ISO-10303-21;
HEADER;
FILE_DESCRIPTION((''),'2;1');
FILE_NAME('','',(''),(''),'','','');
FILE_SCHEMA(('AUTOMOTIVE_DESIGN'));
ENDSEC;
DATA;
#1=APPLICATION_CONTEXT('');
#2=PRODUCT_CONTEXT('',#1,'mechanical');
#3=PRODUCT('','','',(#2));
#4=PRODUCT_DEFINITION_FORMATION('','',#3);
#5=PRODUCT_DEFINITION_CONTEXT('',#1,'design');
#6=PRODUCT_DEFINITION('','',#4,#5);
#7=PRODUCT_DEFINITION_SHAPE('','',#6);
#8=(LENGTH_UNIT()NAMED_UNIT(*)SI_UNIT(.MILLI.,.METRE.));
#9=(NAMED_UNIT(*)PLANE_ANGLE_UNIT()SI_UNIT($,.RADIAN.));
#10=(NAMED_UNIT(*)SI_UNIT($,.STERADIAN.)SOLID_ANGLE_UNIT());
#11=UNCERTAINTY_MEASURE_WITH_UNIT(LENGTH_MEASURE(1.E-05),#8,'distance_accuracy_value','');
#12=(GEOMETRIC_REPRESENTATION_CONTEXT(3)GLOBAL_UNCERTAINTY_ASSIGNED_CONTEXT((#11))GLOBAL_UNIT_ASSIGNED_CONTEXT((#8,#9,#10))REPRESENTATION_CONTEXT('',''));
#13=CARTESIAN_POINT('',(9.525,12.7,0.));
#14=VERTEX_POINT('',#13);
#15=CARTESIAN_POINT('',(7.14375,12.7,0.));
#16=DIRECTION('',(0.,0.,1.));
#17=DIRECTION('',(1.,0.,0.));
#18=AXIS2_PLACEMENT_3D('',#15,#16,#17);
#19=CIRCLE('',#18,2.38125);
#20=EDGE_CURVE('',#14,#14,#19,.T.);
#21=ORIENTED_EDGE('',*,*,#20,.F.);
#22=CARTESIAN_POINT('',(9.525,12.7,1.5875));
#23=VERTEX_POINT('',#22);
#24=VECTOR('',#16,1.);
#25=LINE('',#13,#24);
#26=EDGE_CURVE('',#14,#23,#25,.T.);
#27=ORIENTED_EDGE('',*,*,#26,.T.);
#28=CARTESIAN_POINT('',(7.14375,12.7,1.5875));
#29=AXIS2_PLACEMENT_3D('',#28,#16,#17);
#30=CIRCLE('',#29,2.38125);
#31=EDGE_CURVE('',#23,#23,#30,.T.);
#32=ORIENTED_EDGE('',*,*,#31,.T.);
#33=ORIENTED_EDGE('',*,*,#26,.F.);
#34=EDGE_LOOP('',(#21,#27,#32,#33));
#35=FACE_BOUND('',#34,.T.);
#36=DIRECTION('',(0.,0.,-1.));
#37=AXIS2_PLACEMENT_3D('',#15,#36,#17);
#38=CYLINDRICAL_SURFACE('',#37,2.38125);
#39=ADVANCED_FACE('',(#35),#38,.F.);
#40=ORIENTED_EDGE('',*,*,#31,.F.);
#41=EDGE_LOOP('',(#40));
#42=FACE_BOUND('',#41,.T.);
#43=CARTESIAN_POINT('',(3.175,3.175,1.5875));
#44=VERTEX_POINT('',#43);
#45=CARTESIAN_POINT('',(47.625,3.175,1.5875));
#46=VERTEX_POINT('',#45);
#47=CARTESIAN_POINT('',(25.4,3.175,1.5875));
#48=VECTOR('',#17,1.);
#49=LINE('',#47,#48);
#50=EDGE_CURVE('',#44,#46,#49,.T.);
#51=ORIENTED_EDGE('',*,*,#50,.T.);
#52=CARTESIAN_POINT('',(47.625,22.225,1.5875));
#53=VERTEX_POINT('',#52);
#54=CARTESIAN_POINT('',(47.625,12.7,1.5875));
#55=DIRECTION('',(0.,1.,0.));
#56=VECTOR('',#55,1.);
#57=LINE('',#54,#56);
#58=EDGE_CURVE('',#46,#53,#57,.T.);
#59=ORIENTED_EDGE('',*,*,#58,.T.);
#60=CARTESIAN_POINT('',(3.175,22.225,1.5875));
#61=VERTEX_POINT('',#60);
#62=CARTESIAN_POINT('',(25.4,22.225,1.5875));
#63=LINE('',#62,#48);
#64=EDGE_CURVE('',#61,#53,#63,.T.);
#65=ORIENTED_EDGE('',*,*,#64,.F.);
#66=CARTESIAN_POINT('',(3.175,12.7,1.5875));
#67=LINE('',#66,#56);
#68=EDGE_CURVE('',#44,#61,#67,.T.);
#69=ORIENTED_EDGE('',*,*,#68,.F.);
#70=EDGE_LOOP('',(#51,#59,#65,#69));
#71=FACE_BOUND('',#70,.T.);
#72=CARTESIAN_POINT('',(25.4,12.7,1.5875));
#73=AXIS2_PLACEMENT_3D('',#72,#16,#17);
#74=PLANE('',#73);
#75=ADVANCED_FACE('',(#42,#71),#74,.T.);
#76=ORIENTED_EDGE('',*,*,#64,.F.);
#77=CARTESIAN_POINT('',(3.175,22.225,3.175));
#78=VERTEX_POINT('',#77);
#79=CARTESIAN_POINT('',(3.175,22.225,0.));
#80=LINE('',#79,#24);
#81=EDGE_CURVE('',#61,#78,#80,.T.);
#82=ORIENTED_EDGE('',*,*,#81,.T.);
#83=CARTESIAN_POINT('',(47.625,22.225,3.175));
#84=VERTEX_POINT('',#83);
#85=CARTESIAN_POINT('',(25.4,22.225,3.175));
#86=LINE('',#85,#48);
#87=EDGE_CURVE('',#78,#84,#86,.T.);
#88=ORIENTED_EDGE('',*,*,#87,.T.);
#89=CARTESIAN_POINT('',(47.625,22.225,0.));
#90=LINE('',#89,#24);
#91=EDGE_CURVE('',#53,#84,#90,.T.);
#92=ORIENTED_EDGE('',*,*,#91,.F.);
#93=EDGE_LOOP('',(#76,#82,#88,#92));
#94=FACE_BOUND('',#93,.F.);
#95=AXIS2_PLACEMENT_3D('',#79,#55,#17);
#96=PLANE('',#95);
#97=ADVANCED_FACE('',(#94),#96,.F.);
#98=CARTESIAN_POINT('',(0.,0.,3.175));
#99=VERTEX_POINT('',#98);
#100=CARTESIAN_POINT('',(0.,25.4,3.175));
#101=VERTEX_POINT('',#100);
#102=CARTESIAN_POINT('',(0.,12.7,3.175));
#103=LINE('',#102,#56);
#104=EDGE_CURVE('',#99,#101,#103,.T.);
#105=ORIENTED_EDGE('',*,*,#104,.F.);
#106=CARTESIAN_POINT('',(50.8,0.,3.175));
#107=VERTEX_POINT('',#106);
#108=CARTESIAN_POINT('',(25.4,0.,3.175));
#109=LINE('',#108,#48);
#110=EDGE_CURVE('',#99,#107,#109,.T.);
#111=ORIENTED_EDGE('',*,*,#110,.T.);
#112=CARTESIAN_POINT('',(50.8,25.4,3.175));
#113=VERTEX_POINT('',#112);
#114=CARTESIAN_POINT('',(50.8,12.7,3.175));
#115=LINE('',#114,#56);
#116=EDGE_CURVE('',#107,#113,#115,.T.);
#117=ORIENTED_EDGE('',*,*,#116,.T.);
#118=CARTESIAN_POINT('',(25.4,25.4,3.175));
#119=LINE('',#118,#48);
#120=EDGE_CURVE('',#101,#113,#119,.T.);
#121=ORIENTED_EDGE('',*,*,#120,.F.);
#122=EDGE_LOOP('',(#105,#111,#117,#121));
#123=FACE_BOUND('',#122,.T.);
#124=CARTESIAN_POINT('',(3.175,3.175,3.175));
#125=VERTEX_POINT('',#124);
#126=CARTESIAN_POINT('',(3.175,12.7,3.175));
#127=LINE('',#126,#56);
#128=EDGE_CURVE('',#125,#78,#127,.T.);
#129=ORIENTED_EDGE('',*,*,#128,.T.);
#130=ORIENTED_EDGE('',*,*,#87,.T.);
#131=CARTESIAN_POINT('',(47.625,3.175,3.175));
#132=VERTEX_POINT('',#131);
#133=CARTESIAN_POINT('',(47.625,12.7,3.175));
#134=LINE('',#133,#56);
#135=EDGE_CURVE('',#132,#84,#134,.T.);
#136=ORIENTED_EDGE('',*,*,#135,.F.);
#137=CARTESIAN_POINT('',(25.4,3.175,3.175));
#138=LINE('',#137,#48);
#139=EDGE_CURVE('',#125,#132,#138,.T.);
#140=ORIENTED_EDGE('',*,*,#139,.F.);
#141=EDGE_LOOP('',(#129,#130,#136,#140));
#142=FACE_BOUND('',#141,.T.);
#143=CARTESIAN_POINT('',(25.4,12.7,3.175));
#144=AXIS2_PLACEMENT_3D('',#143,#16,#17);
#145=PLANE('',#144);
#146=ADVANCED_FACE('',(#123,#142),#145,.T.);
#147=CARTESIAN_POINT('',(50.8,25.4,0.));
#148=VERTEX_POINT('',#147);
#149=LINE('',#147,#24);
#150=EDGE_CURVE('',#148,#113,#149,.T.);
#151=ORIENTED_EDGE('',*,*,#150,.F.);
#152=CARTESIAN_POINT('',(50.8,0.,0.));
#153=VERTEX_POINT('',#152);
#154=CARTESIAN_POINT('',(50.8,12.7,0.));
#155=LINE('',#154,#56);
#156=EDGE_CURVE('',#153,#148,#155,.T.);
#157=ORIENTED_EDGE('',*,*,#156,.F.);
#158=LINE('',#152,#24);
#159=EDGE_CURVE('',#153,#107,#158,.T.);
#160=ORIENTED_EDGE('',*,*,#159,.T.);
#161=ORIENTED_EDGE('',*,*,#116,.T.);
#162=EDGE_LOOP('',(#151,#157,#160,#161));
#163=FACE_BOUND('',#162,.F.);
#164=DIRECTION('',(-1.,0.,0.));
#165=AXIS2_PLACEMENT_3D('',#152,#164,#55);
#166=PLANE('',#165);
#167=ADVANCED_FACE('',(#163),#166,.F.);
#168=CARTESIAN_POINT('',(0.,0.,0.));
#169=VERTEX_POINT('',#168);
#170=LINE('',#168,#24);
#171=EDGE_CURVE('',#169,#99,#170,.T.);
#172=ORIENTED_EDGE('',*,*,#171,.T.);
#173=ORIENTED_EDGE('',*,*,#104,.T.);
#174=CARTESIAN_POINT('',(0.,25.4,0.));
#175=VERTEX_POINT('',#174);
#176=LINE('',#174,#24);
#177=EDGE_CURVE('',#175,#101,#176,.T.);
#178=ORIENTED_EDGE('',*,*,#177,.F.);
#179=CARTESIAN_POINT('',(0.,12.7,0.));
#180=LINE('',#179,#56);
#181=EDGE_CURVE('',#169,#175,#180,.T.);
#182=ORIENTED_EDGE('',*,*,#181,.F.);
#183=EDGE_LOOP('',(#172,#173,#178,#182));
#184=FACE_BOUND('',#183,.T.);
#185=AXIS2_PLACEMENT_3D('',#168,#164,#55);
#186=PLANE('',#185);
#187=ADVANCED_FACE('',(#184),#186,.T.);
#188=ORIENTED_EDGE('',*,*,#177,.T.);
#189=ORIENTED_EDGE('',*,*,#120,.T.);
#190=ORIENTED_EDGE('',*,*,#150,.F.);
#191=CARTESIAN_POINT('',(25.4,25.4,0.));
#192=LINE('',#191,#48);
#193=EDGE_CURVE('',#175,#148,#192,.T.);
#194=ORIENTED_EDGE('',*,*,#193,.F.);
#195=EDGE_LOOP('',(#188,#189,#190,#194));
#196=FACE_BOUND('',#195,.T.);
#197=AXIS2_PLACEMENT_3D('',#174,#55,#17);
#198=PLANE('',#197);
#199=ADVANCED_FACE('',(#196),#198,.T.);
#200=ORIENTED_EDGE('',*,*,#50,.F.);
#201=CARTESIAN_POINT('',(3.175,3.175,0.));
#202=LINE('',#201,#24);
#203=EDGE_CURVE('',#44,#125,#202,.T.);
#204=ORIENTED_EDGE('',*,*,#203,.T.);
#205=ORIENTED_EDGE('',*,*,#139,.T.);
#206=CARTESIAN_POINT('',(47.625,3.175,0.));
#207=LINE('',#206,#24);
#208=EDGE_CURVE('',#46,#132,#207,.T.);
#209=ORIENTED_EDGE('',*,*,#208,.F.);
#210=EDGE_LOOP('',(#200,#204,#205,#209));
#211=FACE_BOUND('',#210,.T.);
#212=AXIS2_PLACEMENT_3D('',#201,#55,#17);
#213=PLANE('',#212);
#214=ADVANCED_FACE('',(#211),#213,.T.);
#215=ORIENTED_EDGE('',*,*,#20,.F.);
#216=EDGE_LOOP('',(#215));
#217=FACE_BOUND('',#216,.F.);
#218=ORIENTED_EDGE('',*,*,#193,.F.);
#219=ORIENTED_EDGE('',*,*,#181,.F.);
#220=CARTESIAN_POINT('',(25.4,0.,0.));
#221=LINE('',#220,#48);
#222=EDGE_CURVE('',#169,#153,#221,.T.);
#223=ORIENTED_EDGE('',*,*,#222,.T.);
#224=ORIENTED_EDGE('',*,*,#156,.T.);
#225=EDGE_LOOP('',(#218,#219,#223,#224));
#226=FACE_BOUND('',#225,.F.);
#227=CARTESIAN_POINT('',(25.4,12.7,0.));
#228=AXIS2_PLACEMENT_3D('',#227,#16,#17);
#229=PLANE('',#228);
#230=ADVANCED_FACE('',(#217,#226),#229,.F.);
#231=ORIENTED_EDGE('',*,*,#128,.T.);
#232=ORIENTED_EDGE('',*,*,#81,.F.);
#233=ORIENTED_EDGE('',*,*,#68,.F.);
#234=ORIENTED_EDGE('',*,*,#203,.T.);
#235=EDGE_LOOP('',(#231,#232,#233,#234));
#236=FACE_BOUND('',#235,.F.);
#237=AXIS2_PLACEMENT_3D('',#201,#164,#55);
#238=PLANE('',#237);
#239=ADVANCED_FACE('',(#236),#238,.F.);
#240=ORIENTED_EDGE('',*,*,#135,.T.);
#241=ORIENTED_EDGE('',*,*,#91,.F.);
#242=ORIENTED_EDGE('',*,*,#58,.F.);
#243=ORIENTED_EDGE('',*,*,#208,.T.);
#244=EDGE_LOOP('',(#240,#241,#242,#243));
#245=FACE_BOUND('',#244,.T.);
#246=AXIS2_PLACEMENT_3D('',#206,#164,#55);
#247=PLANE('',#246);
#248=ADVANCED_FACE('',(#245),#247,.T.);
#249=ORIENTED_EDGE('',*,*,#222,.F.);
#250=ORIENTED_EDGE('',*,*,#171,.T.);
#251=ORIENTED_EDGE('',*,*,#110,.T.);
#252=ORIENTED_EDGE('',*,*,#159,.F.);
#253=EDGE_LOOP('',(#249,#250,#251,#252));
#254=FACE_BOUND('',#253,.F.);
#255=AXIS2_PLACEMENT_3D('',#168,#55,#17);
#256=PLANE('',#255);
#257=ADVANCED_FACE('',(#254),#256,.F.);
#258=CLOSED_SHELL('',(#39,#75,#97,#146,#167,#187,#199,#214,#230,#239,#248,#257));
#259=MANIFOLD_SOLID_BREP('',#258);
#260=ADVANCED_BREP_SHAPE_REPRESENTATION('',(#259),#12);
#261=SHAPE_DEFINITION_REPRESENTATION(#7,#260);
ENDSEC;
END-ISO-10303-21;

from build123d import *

# Parameters (mm, degrees)
F0_W     = 44.45
F0_H     = 19.05
F0_R     = 2.38125
F1_DEPTH = 1.5875
F0_W_2   = 50.8
F0_H_2   = 25.4
F2_DEPTH = 3.175


with BuildPart() as f1:
    # F0 (on Top) → F1 (new body)
    with BuildSketch(Plane.XY):
        with Locations((25.4, 12.7)):
            Rectangle(F0_W, F0_H)
        with Locations((7.14375, 12.7)):
            Circle(F0_R, mode=Mode.SUBTRACT)
    extrude(amount=F1_DEPTH)

    # F0 (on Top) → F2 (join)
    with BuildSketch(Plane.XY):
        with Locations((25.4, 12.7)):
            Rectangle(F0_W_2, F0_H_2)
        with Locations((25.4, 12.7)):
            Rectangle(F0_W, F0_H, mode=Mode.SUBTRACT)
    extrude(amount=F2_DEPTH)


solid = f1.part
